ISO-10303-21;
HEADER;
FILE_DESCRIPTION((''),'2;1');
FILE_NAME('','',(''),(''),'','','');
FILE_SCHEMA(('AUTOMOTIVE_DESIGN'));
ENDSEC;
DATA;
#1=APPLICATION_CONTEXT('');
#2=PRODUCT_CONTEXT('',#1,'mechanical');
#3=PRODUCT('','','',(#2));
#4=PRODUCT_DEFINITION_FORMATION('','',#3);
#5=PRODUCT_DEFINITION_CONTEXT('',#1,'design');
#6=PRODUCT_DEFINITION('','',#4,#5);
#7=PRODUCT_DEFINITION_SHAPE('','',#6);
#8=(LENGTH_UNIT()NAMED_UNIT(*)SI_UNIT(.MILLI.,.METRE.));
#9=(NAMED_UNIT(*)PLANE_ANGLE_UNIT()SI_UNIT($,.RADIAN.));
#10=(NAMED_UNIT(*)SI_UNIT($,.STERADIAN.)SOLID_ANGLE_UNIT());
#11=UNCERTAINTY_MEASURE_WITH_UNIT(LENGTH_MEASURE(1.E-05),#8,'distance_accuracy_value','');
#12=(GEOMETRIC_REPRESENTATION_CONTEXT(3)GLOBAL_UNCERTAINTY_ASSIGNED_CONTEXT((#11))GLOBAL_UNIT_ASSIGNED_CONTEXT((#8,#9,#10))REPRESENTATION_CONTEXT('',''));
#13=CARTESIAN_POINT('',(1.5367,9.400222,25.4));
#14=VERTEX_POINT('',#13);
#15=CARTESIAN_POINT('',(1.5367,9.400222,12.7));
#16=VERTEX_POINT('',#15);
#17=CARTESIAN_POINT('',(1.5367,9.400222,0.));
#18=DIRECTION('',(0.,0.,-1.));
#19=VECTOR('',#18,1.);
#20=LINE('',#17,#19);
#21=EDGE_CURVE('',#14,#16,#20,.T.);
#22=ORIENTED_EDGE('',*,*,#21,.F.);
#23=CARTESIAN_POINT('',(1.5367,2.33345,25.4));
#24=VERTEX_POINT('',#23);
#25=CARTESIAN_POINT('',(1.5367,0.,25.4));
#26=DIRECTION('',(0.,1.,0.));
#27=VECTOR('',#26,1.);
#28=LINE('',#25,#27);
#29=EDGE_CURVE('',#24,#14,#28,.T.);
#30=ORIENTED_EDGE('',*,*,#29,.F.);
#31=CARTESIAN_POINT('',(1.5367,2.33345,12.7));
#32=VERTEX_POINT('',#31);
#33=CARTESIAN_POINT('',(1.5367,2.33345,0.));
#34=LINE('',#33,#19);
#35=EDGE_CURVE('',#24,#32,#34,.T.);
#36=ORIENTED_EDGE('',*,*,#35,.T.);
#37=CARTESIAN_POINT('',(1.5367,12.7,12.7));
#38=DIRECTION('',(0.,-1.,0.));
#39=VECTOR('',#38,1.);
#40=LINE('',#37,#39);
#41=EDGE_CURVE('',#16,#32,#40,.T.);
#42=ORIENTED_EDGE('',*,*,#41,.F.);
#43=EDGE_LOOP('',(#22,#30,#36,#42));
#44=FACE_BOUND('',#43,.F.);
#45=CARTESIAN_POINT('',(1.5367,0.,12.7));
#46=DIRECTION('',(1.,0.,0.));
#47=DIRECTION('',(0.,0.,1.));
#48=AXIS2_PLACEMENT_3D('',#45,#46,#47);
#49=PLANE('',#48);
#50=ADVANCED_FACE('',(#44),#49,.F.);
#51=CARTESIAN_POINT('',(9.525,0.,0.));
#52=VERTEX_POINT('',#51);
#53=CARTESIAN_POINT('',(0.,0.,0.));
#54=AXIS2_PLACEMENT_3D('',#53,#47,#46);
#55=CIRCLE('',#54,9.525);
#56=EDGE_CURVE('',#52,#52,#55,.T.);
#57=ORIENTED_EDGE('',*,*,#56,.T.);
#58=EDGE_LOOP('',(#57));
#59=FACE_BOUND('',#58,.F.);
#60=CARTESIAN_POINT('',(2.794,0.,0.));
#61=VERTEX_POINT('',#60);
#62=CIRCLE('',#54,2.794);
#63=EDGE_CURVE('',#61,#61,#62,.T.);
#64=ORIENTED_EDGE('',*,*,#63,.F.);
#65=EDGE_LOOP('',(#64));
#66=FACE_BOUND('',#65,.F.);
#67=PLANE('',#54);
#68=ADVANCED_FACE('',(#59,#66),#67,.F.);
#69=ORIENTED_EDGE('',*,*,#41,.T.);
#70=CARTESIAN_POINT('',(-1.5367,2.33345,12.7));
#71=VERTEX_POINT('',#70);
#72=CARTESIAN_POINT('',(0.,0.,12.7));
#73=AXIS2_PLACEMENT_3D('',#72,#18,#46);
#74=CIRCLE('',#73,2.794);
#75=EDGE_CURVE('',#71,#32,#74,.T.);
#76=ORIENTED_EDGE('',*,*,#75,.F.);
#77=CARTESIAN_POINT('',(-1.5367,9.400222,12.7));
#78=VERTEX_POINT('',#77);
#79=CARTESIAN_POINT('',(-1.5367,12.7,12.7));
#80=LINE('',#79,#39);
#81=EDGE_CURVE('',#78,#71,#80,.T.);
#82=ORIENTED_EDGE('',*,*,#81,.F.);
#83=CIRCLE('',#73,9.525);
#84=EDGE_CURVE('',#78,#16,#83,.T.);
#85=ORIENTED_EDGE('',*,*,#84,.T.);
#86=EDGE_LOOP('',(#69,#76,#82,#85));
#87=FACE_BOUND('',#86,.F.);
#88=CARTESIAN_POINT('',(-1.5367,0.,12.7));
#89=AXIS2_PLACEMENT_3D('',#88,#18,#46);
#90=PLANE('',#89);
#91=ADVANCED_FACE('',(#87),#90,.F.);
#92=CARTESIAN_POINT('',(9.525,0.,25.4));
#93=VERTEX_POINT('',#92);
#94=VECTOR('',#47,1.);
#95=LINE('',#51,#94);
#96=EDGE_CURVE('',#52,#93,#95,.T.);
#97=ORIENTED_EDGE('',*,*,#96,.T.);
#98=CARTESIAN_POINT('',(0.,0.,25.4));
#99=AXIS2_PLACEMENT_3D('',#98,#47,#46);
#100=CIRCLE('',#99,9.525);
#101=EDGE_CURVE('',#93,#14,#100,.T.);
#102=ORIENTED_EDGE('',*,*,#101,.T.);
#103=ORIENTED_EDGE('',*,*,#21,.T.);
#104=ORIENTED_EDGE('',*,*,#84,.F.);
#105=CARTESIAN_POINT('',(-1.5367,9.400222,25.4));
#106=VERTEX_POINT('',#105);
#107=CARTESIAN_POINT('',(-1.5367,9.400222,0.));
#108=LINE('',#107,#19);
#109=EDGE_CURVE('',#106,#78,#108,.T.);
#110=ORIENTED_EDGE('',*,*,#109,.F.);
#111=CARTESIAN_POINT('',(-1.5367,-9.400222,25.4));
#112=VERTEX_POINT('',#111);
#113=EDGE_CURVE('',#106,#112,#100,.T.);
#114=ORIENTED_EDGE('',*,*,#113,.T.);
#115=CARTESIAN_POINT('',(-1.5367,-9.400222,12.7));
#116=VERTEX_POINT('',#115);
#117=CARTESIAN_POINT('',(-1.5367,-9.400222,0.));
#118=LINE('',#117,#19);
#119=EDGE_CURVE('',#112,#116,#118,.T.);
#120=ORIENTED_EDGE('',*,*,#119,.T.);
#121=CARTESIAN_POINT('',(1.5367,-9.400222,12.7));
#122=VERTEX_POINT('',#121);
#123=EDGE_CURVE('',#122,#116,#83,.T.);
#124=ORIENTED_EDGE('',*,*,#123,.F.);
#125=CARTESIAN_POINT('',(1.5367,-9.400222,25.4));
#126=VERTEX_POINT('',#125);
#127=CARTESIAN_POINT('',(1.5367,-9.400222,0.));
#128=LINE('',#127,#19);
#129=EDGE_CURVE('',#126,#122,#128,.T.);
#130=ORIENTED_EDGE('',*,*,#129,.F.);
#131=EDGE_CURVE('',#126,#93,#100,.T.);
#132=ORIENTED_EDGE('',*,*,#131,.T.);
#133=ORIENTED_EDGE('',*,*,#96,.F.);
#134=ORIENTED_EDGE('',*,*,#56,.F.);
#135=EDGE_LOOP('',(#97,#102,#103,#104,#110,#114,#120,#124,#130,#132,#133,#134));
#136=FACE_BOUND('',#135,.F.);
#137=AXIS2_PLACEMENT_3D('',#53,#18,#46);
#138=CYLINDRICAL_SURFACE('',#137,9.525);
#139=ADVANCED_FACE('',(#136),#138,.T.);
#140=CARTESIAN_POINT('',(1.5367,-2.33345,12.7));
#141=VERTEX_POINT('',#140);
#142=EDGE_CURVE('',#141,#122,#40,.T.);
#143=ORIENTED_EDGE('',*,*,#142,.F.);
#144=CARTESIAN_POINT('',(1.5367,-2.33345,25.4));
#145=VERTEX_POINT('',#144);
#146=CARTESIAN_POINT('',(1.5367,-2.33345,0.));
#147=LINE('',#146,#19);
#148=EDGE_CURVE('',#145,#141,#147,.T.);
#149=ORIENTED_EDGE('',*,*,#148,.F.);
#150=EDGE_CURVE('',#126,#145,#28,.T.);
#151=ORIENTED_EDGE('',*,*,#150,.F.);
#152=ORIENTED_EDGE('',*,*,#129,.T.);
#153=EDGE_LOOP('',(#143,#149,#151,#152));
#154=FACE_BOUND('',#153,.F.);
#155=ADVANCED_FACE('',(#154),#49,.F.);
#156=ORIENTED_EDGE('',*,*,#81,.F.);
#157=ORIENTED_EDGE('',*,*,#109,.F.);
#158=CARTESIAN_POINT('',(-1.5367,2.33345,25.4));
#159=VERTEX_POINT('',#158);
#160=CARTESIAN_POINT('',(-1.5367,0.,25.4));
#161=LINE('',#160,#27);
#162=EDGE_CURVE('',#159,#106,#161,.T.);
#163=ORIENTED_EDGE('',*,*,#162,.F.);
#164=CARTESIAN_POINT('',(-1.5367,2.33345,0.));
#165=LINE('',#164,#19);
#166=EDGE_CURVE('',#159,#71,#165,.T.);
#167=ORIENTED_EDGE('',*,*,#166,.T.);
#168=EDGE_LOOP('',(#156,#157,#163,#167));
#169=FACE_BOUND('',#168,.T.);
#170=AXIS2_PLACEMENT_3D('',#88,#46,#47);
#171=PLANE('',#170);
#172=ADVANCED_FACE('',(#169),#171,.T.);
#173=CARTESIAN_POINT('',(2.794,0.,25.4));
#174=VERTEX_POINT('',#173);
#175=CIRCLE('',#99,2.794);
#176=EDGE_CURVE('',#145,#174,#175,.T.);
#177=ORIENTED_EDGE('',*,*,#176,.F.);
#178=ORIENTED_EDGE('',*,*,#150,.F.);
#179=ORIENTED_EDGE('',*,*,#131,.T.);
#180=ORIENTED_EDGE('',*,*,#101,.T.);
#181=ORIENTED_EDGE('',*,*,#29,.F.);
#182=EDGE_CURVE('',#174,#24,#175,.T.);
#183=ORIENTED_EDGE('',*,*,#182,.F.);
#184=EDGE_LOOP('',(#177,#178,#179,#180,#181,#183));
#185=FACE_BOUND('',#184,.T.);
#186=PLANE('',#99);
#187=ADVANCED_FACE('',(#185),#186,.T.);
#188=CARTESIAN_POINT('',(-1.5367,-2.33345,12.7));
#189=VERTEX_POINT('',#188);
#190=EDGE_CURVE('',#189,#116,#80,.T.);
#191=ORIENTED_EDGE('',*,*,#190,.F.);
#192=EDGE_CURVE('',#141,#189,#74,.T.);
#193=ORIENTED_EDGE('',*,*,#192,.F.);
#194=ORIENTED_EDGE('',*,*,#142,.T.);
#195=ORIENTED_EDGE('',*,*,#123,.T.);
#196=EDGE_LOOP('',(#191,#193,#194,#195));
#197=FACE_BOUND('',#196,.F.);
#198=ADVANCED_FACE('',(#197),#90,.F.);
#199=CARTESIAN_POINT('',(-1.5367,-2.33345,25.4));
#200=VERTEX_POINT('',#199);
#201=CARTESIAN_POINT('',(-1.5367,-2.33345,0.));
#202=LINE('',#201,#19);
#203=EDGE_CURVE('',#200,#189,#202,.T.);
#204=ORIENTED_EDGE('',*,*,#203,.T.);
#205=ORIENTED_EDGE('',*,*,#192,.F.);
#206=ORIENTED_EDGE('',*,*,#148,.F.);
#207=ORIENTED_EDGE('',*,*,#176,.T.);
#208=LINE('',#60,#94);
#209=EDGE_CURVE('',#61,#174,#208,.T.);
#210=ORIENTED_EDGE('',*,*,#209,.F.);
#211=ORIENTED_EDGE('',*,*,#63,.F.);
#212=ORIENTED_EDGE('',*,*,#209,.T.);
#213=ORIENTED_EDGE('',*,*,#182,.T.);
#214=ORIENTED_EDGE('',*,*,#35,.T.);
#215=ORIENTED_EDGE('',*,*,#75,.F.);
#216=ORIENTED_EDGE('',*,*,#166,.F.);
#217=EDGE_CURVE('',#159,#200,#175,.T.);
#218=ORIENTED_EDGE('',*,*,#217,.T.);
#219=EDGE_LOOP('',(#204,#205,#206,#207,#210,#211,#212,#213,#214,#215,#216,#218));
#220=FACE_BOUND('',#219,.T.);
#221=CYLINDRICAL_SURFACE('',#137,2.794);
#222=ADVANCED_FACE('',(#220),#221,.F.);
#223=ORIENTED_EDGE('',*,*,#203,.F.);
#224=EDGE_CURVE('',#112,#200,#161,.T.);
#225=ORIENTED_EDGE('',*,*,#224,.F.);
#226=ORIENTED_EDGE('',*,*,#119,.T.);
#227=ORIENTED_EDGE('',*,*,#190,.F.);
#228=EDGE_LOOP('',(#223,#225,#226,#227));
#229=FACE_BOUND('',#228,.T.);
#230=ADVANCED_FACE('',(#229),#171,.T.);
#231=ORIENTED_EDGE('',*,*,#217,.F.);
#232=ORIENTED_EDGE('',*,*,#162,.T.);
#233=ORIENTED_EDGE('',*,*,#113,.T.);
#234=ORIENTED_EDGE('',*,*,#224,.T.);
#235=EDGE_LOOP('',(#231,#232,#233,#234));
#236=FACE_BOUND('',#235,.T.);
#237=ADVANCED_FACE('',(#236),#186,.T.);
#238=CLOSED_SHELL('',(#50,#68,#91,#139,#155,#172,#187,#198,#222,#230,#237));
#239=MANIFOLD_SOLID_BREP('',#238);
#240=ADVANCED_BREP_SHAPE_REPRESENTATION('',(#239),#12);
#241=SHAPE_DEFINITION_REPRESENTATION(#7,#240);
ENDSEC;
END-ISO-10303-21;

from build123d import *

# Parameters (mm, degrees)
F0_R     = 9.525
F0_R_2   = 2.794
F1_DEPTH = 25.4
F2_W     = 3.0734
F2_H     = 25.4
F3_DEPTH = 12.7
F4_DEPTH = 25.4


with BuildPart() as f1:
    # F0 (on Top) → F1 (new body)
    with BuildSketch(Plane.XY):
        Circle(F0_R)
        Circle(F0_R_2, mode=Mode.SUBTRACT)
        Circle(F0_R_2)
    extrude(amount=F1_DEPTH)

    # F2 (on Front) → F3 (cut, symmetric)
    with BuildSketch(Plane.XZ):
        with Locations((0, 25.4)):
            Rectangle(F2_W, F2_H)
    extrude(amount=F3_DEPTH, both=True, mode=Mode.SUBTRACT)

    # F0 (on Top) → F4 (cut, through all)
    with BuildSketch(Plane.XY):
        Circle(F0_R_2)
    extrude(amount=F4_DEPTH, mode=Mode.SUBTRACT)


solid = f1.part
